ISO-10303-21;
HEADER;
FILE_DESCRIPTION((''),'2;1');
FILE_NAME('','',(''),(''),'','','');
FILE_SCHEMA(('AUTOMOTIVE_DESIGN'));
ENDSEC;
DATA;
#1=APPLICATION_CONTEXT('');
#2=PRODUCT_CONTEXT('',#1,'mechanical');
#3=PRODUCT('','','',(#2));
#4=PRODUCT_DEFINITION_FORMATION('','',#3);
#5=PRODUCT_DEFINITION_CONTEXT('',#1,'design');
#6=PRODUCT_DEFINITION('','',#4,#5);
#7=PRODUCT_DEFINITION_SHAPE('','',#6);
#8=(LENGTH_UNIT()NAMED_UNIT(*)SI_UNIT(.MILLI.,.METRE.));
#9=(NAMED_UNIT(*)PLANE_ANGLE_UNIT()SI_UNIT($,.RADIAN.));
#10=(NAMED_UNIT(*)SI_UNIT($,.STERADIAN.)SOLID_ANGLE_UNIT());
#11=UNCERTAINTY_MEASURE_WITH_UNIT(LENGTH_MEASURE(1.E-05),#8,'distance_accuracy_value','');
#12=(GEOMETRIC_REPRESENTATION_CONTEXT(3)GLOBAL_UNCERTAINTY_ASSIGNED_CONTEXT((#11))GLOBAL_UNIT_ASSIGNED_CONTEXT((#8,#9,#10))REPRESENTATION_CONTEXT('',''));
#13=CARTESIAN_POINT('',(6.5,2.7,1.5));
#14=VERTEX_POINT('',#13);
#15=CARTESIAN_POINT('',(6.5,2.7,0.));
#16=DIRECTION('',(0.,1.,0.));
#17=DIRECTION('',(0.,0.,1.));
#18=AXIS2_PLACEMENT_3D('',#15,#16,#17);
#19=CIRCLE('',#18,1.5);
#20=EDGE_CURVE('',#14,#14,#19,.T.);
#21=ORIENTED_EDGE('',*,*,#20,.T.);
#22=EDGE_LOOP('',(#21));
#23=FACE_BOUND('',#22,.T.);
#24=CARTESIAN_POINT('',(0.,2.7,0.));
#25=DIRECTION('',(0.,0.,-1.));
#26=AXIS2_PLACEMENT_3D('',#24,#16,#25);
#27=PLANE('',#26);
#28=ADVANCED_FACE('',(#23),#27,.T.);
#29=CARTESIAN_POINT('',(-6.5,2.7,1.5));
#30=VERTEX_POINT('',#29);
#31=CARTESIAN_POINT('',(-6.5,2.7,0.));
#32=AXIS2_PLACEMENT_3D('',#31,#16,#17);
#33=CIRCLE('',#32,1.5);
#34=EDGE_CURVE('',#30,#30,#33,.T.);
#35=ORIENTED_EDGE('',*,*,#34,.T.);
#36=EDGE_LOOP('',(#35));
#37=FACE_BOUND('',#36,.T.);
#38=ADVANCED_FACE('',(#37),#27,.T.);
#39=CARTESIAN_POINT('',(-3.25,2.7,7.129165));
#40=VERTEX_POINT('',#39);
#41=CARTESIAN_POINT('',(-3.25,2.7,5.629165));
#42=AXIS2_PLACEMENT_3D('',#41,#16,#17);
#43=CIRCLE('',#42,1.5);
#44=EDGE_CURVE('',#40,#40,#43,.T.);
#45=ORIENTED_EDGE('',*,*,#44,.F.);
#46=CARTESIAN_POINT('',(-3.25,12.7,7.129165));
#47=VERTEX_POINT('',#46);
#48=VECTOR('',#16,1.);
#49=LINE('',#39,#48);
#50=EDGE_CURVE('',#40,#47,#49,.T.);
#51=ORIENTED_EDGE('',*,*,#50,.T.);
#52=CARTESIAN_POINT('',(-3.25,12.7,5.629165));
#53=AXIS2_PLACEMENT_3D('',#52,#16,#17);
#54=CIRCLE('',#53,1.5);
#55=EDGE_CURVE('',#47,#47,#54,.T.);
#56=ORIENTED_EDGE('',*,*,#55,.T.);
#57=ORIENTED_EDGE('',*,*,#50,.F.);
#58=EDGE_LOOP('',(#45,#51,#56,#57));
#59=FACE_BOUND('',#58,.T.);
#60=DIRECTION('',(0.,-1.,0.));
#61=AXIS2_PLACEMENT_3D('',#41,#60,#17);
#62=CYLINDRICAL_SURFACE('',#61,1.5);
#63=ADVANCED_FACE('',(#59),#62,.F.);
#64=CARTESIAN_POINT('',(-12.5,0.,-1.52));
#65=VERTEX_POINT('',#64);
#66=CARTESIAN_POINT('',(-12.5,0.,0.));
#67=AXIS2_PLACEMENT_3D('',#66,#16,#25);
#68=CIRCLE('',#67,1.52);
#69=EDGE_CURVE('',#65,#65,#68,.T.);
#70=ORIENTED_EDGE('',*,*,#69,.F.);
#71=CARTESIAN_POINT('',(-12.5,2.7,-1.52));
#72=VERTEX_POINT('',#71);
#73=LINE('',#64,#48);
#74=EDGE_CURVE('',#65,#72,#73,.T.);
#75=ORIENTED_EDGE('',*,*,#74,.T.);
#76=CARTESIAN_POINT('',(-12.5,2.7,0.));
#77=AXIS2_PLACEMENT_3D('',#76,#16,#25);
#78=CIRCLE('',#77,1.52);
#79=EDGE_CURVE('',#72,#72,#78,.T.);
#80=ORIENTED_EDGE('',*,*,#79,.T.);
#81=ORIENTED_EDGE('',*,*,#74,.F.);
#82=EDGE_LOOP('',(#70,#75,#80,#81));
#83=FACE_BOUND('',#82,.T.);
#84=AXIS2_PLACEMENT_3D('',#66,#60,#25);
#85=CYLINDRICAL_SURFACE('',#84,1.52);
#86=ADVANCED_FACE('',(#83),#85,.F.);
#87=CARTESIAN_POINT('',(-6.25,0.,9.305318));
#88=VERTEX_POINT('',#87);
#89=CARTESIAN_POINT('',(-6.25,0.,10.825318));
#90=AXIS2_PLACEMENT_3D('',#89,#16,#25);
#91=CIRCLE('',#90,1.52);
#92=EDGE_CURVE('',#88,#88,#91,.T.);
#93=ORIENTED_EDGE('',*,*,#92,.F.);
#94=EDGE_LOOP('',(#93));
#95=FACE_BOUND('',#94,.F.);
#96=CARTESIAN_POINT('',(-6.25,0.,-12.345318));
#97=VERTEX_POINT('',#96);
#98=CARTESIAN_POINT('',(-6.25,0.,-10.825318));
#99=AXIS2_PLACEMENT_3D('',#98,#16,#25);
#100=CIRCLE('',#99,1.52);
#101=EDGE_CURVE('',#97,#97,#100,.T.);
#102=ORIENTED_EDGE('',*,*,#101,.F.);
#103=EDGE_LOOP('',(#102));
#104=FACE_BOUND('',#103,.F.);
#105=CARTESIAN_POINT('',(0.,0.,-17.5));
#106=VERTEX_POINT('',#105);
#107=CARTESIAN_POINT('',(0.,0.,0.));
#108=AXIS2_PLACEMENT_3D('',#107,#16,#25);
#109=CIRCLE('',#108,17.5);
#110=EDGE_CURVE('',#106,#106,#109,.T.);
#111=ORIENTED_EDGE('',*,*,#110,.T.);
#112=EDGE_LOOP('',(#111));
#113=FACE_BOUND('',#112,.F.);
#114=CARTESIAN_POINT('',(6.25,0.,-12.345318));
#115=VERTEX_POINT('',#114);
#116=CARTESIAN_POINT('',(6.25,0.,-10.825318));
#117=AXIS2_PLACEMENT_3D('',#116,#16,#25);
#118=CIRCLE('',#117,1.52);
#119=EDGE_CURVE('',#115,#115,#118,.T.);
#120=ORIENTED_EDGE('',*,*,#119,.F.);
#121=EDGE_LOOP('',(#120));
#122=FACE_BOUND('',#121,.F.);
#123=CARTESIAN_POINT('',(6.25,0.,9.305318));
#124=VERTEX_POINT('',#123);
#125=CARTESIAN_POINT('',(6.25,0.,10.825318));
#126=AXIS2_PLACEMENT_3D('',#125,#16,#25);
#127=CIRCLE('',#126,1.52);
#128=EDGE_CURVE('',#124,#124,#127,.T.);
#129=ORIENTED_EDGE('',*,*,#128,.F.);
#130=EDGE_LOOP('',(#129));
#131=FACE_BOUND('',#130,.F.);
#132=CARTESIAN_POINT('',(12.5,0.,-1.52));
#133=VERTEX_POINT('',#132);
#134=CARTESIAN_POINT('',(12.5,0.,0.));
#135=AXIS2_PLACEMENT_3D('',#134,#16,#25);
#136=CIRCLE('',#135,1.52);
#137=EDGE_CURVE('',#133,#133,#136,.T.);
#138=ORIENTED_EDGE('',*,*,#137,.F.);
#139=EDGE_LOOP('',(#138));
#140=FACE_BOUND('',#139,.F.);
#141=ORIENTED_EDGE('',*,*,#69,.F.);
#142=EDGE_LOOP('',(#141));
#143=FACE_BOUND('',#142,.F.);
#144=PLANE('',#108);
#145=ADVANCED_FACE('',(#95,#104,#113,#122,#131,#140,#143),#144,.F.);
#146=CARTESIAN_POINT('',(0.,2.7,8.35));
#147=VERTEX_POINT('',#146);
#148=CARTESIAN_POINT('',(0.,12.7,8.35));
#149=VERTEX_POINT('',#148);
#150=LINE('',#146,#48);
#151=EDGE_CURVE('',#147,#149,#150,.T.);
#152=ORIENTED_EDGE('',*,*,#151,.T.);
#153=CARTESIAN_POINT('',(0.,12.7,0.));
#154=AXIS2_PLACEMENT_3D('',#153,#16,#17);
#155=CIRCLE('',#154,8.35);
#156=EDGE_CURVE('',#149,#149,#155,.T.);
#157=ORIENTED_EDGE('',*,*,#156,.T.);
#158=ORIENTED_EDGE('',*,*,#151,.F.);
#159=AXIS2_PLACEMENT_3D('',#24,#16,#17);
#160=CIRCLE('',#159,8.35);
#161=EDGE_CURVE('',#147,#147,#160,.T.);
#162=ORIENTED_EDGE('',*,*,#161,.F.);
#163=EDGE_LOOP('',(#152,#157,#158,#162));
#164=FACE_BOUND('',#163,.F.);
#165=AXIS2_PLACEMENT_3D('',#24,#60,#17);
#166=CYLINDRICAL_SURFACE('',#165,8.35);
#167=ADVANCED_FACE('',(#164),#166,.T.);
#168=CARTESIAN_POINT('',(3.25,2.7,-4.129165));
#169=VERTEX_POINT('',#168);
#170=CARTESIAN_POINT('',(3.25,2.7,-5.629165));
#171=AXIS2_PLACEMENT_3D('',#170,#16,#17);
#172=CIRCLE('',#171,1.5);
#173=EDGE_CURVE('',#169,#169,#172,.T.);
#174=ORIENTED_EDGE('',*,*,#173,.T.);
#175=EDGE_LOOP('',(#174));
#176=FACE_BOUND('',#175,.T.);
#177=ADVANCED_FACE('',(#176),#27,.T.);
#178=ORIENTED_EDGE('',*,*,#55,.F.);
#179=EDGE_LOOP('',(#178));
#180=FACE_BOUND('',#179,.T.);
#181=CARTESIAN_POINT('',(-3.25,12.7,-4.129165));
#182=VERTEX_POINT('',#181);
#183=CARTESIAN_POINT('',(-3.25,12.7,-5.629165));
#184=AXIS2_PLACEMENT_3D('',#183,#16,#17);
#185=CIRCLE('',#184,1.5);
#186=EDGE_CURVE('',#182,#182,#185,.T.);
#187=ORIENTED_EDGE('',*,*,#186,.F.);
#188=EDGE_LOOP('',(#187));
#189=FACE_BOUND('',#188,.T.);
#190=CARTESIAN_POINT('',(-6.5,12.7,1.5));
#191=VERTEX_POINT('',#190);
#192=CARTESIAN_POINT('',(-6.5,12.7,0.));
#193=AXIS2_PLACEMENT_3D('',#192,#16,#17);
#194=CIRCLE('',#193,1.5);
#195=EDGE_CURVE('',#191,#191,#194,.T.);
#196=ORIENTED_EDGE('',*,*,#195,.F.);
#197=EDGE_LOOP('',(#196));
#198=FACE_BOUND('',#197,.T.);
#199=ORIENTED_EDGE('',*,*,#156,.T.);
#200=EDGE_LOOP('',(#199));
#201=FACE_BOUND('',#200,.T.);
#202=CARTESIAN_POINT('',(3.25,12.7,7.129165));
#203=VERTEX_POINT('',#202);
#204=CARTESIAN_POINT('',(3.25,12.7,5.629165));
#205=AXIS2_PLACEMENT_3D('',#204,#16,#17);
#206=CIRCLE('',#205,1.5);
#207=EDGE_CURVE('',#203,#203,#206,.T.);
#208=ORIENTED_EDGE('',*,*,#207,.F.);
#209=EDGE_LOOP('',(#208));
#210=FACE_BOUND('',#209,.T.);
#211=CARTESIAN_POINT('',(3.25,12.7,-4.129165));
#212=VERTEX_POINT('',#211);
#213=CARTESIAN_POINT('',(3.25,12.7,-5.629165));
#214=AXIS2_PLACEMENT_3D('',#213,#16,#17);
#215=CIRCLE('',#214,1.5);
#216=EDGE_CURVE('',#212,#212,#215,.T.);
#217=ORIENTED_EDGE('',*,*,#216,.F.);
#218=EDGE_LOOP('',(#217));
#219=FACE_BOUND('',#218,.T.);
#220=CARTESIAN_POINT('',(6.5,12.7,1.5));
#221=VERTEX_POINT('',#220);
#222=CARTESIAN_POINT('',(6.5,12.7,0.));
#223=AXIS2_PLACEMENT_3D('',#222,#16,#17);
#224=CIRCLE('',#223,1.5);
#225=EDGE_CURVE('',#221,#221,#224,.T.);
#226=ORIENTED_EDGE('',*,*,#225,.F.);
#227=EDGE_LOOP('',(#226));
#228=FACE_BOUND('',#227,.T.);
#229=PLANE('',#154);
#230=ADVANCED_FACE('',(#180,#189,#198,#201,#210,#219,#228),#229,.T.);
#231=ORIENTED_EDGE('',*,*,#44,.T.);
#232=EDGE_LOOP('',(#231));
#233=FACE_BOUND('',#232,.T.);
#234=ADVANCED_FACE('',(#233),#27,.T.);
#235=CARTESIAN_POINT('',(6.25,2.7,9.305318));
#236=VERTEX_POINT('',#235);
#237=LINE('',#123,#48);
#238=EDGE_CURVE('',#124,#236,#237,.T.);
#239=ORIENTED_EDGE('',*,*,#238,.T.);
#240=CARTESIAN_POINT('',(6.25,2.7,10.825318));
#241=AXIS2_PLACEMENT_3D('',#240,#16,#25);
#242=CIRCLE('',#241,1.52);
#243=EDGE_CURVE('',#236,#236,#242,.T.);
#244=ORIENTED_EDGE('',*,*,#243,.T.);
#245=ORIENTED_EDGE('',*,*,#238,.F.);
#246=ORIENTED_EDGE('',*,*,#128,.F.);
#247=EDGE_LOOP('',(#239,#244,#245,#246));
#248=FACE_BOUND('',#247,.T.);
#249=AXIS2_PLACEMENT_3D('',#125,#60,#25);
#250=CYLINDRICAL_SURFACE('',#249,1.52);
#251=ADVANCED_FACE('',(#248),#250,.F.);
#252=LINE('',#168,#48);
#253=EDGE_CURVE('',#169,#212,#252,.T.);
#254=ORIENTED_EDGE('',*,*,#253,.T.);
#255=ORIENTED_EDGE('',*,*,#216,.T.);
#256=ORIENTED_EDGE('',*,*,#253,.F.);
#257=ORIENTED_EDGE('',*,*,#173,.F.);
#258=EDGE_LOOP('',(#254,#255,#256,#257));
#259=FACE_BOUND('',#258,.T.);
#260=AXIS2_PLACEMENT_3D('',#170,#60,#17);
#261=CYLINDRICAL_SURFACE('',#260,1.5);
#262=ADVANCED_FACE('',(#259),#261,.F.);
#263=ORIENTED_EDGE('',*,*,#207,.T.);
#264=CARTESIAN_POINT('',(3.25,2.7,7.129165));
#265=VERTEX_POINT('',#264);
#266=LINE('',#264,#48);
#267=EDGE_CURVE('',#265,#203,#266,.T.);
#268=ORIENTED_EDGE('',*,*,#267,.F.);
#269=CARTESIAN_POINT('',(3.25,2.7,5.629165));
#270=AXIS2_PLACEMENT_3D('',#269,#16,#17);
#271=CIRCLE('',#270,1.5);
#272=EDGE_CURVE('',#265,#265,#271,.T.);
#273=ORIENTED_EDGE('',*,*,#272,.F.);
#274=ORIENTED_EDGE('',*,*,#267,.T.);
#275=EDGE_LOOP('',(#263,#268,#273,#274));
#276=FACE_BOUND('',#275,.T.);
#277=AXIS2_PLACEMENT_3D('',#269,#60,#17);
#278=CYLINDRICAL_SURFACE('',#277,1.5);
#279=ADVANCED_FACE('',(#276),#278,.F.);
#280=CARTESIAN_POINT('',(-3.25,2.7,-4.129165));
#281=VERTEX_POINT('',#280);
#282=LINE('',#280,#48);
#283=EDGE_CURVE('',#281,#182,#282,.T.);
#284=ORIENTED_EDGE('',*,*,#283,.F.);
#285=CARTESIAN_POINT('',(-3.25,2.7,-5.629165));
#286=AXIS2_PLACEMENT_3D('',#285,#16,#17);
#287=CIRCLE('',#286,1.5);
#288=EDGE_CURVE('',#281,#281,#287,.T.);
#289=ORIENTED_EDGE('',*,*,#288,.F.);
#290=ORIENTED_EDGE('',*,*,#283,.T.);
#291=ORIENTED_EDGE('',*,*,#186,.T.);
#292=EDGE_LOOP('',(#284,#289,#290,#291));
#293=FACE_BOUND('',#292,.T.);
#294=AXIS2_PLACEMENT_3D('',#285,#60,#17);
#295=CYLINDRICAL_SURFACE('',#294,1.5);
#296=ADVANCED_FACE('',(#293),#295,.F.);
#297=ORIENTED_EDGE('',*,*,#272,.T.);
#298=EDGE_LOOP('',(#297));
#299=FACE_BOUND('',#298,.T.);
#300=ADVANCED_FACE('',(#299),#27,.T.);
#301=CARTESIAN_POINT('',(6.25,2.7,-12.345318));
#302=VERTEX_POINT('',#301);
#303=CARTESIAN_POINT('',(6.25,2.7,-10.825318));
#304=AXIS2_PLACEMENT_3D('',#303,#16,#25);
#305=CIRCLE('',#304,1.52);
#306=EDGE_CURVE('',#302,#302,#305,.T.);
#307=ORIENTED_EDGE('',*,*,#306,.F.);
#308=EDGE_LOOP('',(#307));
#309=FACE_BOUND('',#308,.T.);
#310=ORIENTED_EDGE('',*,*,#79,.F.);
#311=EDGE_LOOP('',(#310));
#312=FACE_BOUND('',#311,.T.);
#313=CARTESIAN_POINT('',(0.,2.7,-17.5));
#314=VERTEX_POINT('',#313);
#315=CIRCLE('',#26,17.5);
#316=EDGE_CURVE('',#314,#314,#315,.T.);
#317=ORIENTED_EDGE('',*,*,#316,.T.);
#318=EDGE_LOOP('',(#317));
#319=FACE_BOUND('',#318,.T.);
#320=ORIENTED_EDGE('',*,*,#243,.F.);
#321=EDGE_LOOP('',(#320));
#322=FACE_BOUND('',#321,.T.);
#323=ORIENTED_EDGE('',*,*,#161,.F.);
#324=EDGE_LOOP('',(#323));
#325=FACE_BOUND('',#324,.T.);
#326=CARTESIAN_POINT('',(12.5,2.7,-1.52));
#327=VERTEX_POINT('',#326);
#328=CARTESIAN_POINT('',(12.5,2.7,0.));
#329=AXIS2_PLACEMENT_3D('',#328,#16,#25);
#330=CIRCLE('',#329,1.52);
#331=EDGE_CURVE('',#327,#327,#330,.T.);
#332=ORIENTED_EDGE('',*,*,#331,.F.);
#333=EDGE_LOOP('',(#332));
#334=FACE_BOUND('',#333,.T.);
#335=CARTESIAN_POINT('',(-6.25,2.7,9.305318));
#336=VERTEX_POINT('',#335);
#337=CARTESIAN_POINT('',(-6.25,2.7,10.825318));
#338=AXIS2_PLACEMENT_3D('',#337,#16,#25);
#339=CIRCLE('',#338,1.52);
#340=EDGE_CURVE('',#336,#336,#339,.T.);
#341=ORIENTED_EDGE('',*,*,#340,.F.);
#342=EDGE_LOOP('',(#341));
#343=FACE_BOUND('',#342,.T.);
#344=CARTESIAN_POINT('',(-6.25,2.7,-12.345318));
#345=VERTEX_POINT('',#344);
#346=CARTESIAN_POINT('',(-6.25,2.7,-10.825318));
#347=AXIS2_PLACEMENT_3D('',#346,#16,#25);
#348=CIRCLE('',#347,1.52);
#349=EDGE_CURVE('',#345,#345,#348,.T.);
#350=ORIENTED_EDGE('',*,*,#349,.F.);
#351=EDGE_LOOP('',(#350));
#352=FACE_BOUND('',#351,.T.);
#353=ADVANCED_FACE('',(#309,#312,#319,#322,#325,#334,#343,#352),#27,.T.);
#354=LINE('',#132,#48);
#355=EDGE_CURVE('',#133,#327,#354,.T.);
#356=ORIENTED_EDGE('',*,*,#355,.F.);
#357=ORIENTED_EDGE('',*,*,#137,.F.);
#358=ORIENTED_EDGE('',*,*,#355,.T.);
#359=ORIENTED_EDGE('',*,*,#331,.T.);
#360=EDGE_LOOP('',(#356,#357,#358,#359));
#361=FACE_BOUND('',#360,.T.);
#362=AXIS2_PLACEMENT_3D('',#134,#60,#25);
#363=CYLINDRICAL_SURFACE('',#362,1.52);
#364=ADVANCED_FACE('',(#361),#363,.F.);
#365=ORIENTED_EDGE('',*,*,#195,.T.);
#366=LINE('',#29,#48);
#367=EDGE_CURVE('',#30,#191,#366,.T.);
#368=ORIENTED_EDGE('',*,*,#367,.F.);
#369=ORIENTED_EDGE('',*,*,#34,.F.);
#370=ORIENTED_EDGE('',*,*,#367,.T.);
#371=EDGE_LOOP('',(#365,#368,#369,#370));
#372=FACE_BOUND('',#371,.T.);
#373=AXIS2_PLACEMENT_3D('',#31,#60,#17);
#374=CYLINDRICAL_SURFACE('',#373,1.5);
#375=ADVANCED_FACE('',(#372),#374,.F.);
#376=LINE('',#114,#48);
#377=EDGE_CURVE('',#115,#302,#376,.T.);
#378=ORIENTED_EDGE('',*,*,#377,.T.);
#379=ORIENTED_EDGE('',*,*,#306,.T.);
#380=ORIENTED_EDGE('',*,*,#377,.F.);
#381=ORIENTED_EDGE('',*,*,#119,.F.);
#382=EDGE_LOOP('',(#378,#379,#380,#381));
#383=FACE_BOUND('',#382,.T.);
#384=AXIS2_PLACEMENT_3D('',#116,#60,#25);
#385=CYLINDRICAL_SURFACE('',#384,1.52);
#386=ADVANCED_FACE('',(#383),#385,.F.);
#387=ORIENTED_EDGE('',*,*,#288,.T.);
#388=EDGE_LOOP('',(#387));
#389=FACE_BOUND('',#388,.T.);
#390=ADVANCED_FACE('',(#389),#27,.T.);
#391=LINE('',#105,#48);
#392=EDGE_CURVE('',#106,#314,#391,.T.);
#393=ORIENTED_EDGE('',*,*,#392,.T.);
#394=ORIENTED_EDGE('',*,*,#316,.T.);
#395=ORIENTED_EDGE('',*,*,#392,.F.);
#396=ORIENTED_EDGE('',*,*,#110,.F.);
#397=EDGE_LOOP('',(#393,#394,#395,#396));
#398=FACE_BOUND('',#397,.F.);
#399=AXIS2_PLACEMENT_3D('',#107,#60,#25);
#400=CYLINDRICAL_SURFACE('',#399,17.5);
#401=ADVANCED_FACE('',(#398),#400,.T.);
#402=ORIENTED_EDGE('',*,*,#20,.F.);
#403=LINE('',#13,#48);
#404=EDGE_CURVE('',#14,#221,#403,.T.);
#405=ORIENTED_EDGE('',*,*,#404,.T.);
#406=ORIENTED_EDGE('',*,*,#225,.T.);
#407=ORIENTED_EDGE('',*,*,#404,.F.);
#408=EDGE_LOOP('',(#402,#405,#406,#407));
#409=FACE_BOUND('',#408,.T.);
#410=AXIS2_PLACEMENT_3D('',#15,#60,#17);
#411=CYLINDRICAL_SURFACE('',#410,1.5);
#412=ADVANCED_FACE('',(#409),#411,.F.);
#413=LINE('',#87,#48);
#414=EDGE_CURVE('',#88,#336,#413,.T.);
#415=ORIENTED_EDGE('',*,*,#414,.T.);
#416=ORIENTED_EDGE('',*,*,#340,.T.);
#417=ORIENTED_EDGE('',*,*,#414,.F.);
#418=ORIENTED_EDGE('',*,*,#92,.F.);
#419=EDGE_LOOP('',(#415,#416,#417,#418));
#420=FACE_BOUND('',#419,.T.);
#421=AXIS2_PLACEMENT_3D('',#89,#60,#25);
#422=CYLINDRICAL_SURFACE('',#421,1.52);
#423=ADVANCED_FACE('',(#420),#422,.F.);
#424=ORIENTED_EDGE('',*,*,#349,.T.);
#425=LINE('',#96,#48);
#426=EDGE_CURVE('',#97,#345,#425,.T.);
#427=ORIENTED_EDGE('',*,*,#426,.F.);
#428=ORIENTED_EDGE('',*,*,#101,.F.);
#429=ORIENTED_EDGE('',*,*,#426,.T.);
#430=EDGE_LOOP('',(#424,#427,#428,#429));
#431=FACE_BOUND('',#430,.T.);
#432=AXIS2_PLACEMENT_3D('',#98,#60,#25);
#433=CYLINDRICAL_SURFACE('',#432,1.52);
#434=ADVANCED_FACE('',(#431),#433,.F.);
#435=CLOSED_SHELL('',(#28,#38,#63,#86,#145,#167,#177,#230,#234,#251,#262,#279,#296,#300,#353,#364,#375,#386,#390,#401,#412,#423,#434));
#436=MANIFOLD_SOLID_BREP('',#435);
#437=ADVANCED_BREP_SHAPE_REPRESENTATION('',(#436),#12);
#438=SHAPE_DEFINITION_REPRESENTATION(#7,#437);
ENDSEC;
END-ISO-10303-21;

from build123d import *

# Parameters (mm, degrees)
CROQUIS1_R              = 17.5
CROQUIS1_R_2            = 1.52
SALIENTE_EXTRUIR1_DEPTH = 2.7
CROQUIS2_R              = 8.35
CROQUIS2_R_2            = 1.5
SALIENTE_EXTRUIR2_DEPTH = 10


with BuildPart() as part:
    # Croquis1 → Saliente-Extruir1 (new body)
    with BuildSketch(Plane(origin=(0, 0, 0), x_dir=(1, 0, 0), z_dir=(0, 1, 0))):
        with Locations(Location((0, 0, 0), (0, 0, 90))):
            Circle(CROQUIS1_R)
        with Locations(Location((12.5, 0, 0), (0, 0, 90))):
            Circle(CROQUIS1_R_2, mode=Mode.SUBTRACT)
        with Locations(Location((6.25, -10.825317547, 0), (0, 0, 90))):
            Circle(CROQUIS1_R_2, mode=Mode.SUBTRACT)
        with Locations(Location((-6.25, -10.825317547, 0), (0, 0, 90))):
            Circle(CROQUIS1_R_2, mode=Mode.SUBTRACT)
        with Locations(Location((-12.5, 0, 0), (0, 0, 90))):
            Circle(CROQUIS1_R_2, mode=Mode.SUBTRACT)
        with Locations(Location((-6.25, 10.825317547, 0), (0, 0, 90))):
            Circle(CROQUIS1_R_2, mode=Mode.SUBTRACT)
        with Locations(Location((6.25, 10.825317547, 0), (0, 0, 90))):
            Circle(CROQUIS1_R_2, mode=Mode.SUBTRACT)
    extrude(amount=SALIENTE_EXTRUIR1_DEPTH)

    # Croquis2 → Saliente-Extruir2 (add)
    with BuildSketch(Plane(origin=(0, 2.7, 0), x_dir=(1, 0, 0), z_dir=(0, 1, 0))):
        with Locations(Location((0, 0, 0), (0, 0, 270))):
            Circle(CROQUIS2_R)
        with Locations(Location((6.5, 0, 0), (0, 0, 270))):
            Circle(CROQUIS2_R_2, mode=Mode.SUBTRACT)
        with Locations(Location((3.25, -5.629165125, 0), (0, 0, 270))):
            Circle(CROQUIS2_R_2, mode=Mode.SUBTRACT)
        with Locations(Location((-3.25, -5.629165125, 0), (0, 0, 270))):
            Circle(CROQUIS2_R_2, mode=Mode.SUBTRACT)
        with Locations(Location((-6.5, 0, 0), (0, 0, 270))):
            Circle(CROQUIS2_R_2, mode=Mode.SUBTRACT)
        with Locations(Location((-3.25, 5.629165125, 0), (0, 0, 270))):
            Circle(CROQUIS2_R_2, mode=Mode.SUBTRACT)
        with Locations(Location((3.25, 5.629165125, 0), (0, 0, 270))):
            Circle(CROQUIS2_R_2, mode=Mode.SUBTRACT)
    extrude(amount=SALIENTE_EXTRUIR2_DEPTH)


solid = part.part
